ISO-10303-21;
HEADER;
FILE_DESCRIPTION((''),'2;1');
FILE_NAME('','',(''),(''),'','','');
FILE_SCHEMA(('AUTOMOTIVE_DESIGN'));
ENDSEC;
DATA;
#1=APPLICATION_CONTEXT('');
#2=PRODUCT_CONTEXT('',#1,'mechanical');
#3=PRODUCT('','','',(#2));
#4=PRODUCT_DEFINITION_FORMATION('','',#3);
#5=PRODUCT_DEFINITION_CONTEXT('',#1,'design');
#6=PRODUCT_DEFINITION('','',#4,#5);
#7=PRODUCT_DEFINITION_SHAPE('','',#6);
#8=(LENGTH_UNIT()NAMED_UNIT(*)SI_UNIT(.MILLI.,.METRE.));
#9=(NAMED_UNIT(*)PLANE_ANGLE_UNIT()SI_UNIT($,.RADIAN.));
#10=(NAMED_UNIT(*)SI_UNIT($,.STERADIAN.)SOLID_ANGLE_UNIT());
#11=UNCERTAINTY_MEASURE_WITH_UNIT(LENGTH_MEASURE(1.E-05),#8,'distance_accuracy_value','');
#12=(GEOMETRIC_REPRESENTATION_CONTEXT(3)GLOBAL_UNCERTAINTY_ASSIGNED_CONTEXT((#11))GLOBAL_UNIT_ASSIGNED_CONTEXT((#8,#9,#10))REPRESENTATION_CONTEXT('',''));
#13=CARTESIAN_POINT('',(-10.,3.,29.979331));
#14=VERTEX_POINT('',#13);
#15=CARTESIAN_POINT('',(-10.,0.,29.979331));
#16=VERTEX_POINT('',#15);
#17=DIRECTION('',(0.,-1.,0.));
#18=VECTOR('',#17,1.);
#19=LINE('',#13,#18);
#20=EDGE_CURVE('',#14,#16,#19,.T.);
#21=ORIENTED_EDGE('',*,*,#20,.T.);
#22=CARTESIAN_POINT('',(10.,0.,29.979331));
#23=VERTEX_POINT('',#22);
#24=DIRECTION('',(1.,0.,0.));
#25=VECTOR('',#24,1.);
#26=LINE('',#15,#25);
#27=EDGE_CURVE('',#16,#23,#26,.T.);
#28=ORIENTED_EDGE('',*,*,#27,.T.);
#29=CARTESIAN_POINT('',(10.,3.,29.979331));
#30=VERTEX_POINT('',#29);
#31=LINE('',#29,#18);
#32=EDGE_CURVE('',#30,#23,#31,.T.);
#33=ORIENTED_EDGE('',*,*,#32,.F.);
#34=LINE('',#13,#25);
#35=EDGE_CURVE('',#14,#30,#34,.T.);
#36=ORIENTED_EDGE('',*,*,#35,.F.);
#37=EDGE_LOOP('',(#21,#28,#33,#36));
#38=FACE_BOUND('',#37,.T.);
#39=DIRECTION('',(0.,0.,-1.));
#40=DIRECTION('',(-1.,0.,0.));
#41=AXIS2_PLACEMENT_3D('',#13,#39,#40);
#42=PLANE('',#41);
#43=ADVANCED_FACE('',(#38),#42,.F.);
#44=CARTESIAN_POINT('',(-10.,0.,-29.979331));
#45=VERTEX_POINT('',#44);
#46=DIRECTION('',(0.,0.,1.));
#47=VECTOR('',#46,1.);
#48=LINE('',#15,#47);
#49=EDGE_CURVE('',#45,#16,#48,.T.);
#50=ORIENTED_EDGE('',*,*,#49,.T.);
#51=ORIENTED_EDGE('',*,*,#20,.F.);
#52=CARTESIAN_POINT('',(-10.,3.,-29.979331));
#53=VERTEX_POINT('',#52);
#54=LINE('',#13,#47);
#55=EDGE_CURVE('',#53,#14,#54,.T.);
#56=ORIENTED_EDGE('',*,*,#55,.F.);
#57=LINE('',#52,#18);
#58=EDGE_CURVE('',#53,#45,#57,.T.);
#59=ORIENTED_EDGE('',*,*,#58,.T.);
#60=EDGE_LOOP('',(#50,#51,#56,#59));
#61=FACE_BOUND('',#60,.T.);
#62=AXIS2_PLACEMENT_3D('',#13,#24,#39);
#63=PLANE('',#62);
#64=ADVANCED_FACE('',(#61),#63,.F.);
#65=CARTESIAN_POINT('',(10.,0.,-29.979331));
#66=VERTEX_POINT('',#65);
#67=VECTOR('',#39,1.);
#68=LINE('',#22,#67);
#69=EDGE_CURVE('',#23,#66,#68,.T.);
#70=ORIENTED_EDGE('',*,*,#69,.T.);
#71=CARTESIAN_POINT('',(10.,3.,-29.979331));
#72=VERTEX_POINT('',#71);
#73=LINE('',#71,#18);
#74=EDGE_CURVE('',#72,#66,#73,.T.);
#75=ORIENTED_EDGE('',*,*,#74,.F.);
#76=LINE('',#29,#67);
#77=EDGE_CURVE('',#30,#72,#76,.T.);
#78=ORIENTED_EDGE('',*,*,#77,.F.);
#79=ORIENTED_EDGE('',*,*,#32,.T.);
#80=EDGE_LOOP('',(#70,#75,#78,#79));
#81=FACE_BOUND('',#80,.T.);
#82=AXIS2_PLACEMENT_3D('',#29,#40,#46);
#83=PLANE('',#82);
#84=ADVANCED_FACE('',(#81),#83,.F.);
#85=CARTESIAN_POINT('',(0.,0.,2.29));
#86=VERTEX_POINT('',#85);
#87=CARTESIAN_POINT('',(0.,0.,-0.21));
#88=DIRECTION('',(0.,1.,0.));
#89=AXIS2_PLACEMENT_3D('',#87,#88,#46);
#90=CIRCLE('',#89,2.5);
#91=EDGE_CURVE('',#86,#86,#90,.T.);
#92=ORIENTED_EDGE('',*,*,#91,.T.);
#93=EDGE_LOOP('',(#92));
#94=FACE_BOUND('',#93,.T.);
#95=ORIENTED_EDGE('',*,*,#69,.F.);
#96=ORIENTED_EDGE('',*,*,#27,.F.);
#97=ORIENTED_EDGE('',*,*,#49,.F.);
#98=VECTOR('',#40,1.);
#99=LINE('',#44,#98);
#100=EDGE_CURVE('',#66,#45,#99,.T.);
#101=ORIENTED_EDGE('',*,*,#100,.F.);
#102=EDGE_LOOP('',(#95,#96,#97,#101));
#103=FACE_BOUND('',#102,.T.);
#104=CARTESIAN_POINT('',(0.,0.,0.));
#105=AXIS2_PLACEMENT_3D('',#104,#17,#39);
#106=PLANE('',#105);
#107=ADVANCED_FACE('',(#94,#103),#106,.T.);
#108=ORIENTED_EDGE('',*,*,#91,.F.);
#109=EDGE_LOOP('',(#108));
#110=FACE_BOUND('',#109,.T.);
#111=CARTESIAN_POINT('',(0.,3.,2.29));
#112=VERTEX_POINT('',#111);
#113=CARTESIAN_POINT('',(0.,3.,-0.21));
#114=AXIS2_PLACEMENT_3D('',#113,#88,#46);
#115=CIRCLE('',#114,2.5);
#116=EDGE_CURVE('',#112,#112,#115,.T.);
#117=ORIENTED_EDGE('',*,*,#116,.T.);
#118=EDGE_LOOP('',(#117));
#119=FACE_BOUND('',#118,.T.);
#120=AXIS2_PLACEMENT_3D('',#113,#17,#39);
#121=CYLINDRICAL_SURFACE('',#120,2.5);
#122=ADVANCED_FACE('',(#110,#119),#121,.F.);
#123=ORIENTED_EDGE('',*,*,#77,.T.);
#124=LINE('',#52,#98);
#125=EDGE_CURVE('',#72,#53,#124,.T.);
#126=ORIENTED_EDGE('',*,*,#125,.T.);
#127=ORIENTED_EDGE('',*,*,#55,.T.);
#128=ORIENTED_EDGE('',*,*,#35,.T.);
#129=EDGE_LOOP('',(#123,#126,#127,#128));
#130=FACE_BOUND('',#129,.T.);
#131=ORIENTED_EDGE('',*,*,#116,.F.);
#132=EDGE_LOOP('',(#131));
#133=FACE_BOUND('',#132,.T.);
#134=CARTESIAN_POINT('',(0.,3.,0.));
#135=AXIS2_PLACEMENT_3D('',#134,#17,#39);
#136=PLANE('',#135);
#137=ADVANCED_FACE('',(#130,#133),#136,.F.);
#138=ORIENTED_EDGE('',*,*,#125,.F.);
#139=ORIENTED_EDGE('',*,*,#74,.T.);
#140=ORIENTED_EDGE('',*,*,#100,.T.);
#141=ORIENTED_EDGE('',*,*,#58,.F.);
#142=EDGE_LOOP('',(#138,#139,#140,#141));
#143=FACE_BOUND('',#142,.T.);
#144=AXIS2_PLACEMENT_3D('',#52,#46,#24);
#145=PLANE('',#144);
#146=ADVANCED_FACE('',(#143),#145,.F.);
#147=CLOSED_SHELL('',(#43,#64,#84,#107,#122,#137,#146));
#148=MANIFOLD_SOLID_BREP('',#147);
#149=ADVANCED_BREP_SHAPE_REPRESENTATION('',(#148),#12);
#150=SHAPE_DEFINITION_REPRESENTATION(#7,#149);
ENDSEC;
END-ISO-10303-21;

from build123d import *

# Parameters (mm, degrees)
SKETCH1_W           = 20
SKETCH1_H           = 59.958662332
SKETCH1_R           = 2.5
BOSS_EXTRUDE1_DEPTH = 3


with BuildPart() as part:
    # Sketch1 → Boss-Extrude1 (new body)
    with BuildSketch(Plane(origin=(0, 0, 0), x_dir=(1, 0, 0), z_dir=(0, 1, 0))):
        Rectangle(SKETCH1_W, SKETCH1_H)
        with Locations(Location((0, 0.21, 0), (0, 0, 270))):
            Circle(SKETCH1_R, mode=Mode.SUBTRACT)
    extrude(amount=BOSS_EXTRUDE1_DEPTH)


solid = part.part
